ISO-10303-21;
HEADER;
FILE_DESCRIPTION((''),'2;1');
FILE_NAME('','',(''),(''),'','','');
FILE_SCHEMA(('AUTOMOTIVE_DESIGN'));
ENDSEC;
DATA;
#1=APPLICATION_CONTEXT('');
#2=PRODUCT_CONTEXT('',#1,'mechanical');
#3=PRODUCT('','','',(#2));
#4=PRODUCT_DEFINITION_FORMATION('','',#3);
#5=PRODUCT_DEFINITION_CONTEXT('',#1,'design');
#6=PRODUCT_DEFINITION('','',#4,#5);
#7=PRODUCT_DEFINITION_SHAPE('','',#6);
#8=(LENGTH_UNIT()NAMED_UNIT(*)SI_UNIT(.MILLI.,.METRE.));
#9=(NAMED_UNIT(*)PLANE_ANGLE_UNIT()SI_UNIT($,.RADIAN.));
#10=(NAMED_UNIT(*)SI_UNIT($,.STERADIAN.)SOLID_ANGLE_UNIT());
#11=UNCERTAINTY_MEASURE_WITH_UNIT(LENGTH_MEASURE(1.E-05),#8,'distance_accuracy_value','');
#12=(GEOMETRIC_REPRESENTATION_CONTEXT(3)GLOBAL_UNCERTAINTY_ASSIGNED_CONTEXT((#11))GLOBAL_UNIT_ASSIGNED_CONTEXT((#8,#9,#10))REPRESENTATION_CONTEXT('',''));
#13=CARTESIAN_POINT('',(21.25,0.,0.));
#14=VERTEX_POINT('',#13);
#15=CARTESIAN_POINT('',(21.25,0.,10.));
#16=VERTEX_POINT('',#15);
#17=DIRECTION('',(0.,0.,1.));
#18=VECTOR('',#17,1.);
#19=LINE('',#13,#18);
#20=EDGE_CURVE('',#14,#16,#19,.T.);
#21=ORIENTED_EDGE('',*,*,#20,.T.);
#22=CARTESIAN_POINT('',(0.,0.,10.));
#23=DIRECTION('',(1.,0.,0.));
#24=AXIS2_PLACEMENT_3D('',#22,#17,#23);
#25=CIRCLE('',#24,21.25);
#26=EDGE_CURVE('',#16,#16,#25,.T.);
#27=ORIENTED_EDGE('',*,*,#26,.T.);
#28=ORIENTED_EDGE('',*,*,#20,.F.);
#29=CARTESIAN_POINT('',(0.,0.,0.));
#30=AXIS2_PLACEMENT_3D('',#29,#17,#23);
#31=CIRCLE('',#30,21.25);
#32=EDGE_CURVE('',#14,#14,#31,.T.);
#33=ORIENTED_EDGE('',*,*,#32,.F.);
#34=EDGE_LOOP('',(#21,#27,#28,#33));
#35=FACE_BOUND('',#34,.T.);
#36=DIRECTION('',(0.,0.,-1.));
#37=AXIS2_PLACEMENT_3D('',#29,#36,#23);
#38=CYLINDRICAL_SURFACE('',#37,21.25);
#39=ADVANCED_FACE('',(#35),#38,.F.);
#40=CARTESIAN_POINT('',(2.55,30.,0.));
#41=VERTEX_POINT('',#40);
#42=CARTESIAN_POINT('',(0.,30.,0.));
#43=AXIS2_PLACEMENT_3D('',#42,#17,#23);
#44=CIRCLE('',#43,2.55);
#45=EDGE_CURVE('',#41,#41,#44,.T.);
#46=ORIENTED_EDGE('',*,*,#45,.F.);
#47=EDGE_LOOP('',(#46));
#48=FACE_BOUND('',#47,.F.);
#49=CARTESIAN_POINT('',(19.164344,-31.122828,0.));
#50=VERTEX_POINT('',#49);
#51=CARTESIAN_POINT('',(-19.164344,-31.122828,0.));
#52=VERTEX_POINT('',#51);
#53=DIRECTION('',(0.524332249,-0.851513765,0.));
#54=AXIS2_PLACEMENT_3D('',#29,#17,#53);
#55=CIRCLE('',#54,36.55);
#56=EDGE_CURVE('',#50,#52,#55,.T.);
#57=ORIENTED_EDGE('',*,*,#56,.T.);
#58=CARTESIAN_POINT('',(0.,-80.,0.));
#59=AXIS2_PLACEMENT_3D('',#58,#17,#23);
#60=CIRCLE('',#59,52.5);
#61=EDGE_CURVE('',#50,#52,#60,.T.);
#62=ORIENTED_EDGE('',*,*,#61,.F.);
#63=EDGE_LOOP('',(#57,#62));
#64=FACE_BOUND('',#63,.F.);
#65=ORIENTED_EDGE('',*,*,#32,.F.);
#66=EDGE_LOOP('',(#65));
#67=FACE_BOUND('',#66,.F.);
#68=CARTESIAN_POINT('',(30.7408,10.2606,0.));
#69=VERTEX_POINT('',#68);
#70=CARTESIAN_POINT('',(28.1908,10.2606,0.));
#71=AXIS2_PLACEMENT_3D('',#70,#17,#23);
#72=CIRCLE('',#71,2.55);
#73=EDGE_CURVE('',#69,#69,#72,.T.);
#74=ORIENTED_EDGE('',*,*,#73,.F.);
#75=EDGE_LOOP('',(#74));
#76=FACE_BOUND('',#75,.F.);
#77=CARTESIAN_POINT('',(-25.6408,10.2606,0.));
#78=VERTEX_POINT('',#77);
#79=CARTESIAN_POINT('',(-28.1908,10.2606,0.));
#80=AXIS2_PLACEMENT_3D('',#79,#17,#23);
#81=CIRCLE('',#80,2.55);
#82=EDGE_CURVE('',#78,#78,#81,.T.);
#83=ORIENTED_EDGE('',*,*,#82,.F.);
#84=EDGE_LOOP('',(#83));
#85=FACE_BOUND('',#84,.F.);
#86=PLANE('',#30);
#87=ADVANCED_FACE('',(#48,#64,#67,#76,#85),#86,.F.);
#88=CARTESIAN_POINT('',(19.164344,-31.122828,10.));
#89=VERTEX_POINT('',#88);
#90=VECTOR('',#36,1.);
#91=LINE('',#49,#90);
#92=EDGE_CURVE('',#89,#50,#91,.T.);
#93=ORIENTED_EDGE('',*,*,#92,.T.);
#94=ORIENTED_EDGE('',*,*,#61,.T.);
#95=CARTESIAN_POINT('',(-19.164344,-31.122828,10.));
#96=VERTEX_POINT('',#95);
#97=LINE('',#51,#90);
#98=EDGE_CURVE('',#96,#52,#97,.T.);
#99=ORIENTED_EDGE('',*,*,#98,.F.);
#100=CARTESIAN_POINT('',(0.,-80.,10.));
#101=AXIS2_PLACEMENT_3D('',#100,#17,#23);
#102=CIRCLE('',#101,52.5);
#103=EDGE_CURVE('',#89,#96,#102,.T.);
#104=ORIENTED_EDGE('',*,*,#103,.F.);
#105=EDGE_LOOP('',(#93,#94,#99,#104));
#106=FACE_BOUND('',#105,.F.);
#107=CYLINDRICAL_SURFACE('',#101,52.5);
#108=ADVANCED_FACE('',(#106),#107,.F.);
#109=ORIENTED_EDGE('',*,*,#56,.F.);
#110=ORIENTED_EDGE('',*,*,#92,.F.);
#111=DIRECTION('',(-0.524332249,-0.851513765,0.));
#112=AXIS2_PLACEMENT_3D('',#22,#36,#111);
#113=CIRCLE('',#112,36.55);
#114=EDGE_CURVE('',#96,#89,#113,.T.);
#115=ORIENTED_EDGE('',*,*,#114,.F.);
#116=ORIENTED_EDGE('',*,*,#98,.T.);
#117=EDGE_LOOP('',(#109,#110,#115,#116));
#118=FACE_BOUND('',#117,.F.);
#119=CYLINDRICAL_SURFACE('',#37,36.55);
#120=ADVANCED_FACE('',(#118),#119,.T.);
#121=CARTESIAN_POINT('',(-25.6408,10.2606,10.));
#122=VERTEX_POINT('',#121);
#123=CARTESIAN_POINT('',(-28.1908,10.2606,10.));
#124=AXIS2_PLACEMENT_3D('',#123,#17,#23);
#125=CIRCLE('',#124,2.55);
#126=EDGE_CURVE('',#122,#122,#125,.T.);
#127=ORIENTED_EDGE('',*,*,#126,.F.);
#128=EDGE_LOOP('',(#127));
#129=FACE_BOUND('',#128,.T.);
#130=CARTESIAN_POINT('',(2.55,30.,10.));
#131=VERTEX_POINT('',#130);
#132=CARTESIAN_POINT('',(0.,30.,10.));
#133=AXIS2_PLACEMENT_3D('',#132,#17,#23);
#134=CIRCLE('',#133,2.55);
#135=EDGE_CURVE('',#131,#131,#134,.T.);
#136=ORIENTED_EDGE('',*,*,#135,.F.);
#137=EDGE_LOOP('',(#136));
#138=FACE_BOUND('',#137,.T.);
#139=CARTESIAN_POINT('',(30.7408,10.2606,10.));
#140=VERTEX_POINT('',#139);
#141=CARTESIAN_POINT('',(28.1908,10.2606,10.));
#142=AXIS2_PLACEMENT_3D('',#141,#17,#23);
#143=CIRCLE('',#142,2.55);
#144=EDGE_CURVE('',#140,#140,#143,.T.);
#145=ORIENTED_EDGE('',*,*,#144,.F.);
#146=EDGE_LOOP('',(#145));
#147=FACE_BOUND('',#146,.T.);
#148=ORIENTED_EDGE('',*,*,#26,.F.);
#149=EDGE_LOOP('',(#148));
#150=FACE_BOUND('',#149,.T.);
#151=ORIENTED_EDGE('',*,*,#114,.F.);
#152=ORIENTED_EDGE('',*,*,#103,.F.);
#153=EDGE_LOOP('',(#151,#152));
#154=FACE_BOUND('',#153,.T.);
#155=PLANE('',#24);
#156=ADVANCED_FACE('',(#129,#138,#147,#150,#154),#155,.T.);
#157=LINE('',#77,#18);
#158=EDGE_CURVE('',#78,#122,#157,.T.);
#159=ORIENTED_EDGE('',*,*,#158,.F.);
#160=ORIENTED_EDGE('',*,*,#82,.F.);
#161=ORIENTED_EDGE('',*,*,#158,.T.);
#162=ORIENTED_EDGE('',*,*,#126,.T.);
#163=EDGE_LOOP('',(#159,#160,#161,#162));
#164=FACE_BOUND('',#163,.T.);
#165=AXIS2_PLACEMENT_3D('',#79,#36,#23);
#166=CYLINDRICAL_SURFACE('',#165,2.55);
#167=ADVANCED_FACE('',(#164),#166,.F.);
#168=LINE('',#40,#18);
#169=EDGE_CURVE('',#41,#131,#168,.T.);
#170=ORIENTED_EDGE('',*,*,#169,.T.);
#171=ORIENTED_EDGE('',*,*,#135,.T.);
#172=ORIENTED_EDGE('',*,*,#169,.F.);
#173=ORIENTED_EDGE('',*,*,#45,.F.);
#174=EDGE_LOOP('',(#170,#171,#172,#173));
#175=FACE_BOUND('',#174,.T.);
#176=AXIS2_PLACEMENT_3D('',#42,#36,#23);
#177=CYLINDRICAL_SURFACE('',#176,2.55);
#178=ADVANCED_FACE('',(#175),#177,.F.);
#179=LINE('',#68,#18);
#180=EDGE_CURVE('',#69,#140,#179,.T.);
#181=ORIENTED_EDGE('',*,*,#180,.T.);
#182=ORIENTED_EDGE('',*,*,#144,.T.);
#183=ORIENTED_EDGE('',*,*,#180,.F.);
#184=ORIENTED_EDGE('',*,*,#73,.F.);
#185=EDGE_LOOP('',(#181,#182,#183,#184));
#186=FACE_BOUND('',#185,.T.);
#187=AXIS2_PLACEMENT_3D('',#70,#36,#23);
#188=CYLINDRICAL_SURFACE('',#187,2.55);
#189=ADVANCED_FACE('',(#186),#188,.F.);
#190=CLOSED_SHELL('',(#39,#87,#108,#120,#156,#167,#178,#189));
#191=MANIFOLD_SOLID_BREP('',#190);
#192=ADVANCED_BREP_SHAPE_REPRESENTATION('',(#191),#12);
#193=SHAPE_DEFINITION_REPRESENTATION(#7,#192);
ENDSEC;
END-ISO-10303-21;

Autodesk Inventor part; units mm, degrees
ref_plane "YZ Plane" through (0, 0, 0) normal (1, 0, 0) x (0, 1, 0)
ref_plane "XZ Plane" through (0, 0, 0) normal (0, 1, 0) x (-1, 0, 0)
ref_plane "XY Plane" through (0, 0, 0) normal (0, 0, 1) x (1, 0, 0)
sketch "スケッチ1" plane through (0, 0, 0) normal (0, 0, 1) x (1, 0, 0)
  circle A0 centre (0, 0) radius 21.25
  circle A1 centre (0, 0) radius 36.55
  line L0 (0, 0) -> (-28.1908, 10.2606) construction
  line L1 (0, 0) -> (28.1908, 10.2606) construction
  line L2 (-39.5959, 0) -> (43.1917, 0) construction
  line L3 (0, 0) -> (0, 30) construction
  circle A2 centre (-28.1908, 10.2606) radius 2.55
  circle A3 centre (0, 30) radius 2.55
  circle A4 centre (28.1908, 10.2606) radius 2.55
  dimension "d0" = 73.1
  dimension "d1" = 42.5
  dimension "d2" = 30
  dimension "d3" = 30
  dimension "d4" = 20
  dimension "d5" = 20
  dimension "d6" = 30
  dimension "d7" = 5.1
  dimension "d8" = 5.1
  dimension "d9" = 5.1
extrude "押し出し1" add sketch "スケッチ1" along normal blind 10
sketch "スケッチ2" plane through (0, 0, 10) normal (0, 0, 1) x (1, 0, 0)
  line L0 (0, 0) -> (0, -80) construction
  circle A0 centre (0, -80) radius 52.5
  dimension "d12" = 80
  dimension "d16" = 105
extrude "押し出し2" cut sketch "スケッチ2" against normal blind 10
properties part number "円 42.5mm"
